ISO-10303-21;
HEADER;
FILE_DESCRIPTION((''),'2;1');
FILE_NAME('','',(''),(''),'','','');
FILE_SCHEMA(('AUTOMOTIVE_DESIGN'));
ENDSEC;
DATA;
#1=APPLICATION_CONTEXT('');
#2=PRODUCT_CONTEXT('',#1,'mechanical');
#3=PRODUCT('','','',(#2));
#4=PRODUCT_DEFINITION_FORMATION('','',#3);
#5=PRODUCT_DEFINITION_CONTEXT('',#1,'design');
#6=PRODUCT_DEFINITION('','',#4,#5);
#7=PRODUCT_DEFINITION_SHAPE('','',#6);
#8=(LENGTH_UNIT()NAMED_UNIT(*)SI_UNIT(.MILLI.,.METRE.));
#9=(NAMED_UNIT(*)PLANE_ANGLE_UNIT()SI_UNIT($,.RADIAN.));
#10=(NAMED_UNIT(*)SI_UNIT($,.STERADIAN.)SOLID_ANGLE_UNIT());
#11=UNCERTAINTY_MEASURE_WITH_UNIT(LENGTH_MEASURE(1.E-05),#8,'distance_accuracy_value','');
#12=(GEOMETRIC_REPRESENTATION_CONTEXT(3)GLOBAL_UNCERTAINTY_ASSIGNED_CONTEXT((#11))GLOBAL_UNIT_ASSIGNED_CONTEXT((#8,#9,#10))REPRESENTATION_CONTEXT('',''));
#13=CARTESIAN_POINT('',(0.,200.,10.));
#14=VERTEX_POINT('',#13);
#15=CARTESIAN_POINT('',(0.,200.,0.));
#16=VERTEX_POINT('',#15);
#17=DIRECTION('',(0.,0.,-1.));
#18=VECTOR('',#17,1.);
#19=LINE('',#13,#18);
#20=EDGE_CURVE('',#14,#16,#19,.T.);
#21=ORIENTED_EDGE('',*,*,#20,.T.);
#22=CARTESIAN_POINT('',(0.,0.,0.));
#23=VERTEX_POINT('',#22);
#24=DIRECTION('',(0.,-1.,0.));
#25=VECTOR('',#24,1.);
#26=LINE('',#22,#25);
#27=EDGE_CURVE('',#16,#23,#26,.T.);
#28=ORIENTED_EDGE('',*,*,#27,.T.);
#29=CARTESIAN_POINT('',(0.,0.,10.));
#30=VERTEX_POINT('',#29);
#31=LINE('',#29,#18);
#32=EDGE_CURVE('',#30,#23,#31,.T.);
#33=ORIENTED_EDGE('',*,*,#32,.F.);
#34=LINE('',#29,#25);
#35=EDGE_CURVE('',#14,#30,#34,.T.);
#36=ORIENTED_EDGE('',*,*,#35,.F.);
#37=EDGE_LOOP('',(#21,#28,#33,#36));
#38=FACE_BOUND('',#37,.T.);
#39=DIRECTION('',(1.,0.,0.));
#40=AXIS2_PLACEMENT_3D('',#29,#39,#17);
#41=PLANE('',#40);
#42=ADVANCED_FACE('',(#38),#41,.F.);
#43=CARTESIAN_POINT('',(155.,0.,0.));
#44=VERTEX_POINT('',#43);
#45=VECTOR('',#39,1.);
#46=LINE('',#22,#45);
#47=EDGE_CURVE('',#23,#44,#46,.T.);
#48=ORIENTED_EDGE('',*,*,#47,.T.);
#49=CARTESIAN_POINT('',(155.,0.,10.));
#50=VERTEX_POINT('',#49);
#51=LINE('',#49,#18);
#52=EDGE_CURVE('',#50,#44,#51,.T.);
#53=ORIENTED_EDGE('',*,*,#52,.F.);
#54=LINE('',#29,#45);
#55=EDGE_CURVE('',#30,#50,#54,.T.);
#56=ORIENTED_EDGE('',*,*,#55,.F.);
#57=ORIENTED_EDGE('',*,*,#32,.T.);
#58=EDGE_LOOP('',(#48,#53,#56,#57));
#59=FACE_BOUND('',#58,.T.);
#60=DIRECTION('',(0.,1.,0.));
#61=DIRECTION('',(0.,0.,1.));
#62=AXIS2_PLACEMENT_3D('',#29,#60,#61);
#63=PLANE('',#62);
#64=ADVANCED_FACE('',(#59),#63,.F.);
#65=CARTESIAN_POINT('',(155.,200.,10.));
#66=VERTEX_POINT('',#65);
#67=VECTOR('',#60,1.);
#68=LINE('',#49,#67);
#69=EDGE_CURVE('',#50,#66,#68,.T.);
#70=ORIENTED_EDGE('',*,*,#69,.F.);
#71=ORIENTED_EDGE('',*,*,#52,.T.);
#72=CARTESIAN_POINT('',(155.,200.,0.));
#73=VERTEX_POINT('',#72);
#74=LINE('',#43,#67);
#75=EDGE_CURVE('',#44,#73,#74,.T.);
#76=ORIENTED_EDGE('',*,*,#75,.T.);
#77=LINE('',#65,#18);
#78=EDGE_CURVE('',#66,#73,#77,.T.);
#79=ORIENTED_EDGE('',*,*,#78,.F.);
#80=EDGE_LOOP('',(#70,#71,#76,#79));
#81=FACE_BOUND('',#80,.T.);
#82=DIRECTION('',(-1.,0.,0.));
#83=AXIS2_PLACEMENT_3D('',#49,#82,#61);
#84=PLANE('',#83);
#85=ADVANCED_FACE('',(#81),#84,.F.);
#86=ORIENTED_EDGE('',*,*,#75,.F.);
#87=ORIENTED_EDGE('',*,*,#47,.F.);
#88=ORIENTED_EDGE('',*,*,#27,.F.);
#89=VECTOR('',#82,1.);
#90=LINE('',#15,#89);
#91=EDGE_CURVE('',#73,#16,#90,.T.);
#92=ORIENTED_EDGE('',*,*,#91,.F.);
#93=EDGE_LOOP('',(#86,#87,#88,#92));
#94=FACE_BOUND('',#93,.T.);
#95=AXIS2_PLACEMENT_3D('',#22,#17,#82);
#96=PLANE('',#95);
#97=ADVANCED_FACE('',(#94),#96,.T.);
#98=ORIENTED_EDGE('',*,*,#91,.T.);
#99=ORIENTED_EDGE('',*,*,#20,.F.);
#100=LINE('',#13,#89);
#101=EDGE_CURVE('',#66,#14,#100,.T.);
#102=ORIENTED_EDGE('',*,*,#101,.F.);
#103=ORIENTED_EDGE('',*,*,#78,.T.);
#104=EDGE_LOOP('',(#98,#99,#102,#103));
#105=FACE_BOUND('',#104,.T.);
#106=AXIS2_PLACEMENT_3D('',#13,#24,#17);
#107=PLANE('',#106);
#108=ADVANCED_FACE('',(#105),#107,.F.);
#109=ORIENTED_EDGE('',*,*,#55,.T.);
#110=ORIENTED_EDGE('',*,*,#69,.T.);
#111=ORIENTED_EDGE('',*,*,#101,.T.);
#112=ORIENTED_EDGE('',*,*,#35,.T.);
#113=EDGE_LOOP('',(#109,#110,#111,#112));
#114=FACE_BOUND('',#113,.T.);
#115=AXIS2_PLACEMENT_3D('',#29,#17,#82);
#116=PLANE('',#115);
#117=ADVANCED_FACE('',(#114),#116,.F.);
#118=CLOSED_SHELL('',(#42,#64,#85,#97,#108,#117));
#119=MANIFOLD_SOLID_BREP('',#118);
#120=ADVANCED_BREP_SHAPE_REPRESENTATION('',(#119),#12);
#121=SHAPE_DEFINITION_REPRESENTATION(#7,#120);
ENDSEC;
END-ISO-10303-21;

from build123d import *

# Parameters (mm, degrees)
SKETCH1_W                 = 155
SKETCH1_H                 = 200
BOTTOM_OUTER_CASING_DEPTH = 10


with BuildPart() as part:
    # Sketch1 → Bottom Outer Casing (new body)
    with BuildSketch(Plane.XY):
        with Locations((77.5, 100)):
            Rectangle(SKETCH1_W, SKETCH1_H)
    extrude(amount=BOTTOM_OUTER_CASING_DEPTH)


solid = part.part
